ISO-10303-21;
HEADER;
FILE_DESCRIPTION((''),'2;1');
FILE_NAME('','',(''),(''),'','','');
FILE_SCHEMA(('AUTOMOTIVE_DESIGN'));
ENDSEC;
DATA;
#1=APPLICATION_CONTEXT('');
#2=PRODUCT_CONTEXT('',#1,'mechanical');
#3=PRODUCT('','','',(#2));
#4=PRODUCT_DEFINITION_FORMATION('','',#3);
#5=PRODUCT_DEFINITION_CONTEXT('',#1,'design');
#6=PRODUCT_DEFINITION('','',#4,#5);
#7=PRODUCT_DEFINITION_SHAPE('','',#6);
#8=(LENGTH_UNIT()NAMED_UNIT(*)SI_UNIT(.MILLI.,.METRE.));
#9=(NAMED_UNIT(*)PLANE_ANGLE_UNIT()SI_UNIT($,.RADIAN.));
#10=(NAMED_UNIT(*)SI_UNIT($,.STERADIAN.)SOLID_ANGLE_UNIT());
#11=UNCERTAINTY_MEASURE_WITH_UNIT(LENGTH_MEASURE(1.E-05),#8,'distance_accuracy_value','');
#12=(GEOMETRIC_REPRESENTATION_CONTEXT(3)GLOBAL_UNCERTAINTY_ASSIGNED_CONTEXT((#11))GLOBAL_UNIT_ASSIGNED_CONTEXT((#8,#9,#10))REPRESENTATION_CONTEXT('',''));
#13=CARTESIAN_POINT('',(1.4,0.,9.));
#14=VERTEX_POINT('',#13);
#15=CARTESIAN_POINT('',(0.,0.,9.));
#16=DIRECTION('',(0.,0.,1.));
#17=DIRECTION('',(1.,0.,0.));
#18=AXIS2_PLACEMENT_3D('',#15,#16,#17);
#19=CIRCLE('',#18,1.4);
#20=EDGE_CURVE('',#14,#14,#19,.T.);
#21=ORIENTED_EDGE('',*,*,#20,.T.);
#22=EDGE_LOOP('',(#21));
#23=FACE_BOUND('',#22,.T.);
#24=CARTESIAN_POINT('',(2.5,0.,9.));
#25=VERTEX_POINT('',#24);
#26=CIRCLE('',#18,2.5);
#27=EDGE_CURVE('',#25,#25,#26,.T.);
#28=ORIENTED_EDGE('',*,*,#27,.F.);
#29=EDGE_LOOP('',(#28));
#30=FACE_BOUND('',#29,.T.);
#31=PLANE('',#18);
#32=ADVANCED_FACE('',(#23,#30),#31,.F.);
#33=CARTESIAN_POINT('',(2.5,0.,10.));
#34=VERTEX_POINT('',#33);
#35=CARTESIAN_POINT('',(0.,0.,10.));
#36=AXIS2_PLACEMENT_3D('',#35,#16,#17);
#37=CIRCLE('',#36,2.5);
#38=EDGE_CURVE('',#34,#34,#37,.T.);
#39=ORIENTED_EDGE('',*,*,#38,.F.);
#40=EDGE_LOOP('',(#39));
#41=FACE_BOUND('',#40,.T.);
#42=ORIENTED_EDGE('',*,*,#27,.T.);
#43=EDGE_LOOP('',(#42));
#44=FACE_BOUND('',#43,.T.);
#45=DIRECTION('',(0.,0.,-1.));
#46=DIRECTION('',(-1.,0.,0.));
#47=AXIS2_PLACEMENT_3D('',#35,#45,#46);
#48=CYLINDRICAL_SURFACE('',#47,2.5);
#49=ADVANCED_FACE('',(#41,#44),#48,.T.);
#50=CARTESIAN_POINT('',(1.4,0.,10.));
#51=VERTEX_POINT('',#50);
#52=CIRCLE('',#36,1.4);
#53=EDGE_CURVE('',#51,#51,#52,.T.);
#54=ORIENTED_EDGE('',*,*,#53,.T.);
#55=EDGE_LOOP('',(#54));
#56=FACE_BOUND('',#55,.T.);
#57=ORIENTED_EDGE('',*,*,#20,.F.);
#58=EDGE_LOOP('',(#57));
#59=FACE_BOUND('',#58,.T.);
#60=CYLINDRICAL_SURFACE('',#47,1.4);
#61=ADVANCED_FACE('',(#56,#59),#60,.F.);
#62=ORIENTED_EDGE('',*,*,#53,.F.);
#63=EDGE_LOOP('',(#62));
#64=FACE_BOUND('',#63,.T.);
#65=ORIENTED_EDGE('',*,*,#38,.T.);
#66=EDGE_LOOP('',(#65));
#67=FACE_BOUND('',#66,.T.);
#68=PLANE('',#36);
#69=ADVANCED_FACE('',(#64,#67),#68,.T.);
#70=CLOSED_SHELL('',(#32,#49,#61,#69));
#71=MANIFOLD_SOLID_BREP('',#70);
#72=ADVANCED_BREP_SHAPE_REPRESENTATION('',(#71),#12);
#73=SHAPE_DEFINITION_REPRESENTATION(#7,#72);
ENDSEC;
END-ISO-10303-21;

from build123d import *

# Parameters (mm, degrees)
ONE_MM_ALIGNMENT_SHIM_START = 9
SKETCH_1_R                  = 2.5
SKETCH_1_R_2                = 1.4
ONE_MM_ALIGNMENT_SHIM_DEPTH = 1


with BuildPart() as part:
    # 草图1 → One_mm_alignment_shim (new body)
    with BuildSketch(Plane.XY.offset(ONE_MM_ALIGNMENT_SHIM_START)):
        Circle(SKETCH_1_R)
        Circle(SKETCH_1_R_2, mode=Mode.SUBTRACT)
    extrude(amount=ONE_MM_ALIGNMENT_SHIM_DEPTH)


solid = part.part
